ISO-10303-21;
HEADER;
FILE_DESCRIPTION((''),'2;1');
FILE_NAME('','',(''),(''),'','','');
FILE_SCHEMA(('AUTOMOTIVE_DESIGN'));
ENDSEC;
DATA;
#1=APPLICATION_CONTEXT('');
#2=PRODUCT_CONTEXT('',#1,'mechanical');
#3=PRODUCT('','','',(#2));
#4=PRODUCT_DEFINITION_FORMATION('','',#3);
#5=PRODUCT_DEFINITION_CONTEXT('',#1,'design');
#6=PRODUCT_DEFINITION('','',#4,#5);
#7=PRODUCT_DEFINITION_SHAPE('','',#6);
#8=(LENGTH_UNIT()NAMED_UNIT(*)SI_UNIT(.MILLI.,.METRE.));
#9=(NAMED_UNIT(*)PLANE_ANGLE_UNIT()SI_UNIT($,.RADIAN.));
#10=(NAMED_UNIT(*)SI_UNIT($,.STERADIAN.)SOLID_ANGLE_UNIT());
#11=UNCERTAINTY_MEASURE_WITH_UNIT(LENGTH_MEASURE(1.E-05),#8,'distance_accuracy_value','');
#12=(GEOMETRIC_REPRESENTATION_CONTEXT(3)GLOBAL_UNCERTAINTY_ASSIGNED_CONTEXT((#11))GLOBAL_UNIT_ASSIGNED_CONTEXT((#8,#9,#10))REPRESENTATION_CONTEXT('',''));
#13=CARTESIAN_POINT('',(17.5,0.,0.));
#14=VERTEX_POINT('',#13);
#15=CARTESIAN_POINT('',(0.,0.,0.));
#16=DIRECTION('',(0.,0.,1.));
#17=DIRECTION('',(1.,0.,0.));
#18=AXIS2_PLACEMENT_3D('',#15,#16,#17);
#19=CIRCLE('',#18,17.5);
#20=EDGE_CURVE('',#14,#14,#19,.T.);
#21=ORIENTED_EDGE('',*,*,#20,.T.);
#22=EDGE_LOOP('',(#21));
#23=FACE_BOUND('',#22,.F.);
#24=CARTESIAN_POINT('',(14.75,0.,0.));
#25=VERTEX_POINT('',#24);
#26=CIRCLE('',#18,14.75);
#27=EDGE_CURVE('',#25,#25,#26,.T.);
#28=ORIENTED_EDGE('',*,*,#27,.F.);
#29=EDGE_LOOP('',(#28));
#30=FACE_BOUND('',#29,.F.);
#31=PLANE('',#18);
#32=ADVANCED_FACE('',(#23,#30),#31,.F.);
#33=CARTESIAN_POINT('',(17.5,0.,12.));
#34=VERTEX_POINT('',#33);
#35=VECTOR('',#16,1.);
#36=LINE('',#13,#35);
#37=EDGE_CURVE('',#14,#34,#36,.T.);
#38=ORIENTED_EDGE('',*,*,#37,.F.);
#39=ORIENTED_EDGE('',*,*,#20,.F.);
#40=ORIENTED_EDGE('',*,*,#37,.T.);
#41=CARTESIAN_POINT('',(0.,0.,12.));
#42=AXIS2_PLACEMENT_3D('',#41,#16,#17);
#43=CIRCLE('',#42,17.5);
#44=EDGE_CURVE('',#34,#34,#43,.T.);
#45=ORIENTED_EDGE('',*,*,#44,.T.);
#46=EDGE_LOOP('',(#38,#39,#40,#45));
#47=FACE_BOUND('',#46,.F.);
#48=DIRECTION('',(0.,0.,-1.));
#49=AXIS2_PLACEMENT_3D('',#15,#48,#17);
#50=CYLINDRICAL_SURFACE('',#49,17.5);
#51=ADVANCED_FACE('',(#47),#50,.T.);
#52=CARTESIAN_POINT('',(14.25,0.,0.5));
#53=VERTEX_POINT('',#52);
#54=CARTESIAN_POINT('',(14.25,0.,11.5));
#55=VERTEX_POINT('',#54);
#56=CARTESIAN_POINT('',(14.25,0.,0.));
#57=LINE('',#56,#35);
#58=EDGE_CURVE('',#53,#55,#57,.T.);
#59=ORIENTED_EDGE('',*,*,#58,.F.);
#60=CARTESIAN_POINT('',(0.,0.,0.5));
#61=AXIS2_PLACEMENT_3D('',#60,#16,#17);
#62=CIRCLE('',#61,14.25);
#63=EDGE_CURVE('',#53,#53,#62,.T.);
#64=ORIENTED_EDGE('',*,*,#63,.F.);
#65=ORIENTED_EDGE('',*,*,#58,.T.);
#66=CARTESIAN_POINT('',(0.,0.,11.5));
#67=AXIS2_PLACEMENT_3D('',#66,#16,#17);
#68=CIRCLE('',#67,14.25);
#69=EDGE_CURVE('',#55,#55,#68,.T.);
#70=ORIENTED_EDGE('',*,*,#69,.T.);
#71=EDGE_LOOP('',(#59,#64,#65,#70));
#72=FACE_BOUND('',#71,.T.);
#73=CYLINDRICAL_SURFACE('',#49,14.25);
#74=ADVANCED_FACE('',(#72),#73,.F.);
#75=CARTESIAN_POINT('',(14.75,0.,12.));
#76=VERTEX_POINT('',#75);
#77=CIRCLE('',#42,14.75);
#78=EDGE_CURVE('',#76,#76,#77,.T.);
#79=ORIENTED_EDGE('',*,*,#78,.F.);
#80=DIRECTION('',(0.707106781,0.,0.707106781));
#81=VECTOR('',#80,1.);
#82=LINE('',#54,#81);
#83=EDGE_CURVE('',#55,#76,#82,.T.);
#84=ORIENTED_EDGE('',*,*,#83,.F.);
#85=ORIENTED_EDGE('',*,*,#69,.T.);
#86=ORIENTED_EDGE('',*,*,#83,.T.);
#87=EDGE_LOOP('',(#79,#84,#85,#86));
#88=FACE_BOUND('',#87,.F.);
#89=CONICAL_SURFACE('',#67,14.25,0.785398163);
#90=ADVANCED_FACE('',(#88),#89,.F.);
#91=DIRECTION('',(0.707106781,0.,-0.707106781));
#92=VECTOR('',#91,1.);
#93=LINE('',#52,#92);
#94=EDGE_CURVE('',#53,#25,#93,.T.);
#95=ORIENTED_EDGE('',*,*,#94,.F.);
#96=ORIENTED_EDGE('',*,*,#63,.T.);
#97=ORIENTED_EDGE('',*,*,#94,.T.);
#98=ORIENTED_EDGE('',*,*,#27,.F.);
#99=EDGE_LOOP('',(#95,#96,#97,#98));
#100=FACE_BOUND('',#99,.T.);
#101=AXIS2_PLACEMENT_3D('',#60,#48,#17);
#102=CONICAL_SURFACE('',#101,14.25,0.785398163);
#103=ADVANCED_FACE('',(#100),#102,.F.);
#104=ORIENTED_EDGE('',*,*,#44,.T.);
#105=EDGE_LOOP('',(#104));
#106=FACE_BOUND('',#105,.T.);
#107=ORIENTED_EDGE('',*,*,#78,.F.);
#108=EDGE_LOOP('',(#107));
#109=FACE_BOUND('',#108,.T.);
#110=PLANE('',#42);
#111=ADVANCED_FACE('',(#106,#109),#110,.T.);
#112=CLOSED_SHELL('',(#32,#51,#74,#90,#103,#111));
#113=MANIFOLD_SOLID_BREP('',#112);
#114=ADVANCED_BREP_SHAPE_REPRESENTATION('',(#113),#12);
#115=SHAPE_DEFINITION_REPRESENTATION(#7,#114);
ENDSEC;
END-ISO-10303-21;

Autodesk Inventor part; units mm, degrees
ref_plane "YZ Plane" through (0, 0, 0) normal (1, 0, 0) x (0, 1, 0)
ref_plane "XZ Plane" through (0, 0, 0) normal (0, 1, 0) x (-1, 0, 0)
ref_plane "XY Plane" through (0, 0, 0) normal (0, 0, 1) x (1, 0, 0)
sketch "Schizzo1" plane through (0, 0, 0) normal (0, 0, 1) x (1, 0, 0)
  circle A0 centre (0, 0) radius 14.25
  circle A1 centre (0, 0) radius 17.5
  dimension "d0" = 28.5
  dimension "d1" = 35
extrude "Estrusione1" add sketch "Schizzo1" along normal blind 12
chamfer "Smusso1" distance 0.5 angle 45 2 edges at (-14.25, 0, 12) (-14.25, 0, 0)
properties part number "Distanziale lama"
